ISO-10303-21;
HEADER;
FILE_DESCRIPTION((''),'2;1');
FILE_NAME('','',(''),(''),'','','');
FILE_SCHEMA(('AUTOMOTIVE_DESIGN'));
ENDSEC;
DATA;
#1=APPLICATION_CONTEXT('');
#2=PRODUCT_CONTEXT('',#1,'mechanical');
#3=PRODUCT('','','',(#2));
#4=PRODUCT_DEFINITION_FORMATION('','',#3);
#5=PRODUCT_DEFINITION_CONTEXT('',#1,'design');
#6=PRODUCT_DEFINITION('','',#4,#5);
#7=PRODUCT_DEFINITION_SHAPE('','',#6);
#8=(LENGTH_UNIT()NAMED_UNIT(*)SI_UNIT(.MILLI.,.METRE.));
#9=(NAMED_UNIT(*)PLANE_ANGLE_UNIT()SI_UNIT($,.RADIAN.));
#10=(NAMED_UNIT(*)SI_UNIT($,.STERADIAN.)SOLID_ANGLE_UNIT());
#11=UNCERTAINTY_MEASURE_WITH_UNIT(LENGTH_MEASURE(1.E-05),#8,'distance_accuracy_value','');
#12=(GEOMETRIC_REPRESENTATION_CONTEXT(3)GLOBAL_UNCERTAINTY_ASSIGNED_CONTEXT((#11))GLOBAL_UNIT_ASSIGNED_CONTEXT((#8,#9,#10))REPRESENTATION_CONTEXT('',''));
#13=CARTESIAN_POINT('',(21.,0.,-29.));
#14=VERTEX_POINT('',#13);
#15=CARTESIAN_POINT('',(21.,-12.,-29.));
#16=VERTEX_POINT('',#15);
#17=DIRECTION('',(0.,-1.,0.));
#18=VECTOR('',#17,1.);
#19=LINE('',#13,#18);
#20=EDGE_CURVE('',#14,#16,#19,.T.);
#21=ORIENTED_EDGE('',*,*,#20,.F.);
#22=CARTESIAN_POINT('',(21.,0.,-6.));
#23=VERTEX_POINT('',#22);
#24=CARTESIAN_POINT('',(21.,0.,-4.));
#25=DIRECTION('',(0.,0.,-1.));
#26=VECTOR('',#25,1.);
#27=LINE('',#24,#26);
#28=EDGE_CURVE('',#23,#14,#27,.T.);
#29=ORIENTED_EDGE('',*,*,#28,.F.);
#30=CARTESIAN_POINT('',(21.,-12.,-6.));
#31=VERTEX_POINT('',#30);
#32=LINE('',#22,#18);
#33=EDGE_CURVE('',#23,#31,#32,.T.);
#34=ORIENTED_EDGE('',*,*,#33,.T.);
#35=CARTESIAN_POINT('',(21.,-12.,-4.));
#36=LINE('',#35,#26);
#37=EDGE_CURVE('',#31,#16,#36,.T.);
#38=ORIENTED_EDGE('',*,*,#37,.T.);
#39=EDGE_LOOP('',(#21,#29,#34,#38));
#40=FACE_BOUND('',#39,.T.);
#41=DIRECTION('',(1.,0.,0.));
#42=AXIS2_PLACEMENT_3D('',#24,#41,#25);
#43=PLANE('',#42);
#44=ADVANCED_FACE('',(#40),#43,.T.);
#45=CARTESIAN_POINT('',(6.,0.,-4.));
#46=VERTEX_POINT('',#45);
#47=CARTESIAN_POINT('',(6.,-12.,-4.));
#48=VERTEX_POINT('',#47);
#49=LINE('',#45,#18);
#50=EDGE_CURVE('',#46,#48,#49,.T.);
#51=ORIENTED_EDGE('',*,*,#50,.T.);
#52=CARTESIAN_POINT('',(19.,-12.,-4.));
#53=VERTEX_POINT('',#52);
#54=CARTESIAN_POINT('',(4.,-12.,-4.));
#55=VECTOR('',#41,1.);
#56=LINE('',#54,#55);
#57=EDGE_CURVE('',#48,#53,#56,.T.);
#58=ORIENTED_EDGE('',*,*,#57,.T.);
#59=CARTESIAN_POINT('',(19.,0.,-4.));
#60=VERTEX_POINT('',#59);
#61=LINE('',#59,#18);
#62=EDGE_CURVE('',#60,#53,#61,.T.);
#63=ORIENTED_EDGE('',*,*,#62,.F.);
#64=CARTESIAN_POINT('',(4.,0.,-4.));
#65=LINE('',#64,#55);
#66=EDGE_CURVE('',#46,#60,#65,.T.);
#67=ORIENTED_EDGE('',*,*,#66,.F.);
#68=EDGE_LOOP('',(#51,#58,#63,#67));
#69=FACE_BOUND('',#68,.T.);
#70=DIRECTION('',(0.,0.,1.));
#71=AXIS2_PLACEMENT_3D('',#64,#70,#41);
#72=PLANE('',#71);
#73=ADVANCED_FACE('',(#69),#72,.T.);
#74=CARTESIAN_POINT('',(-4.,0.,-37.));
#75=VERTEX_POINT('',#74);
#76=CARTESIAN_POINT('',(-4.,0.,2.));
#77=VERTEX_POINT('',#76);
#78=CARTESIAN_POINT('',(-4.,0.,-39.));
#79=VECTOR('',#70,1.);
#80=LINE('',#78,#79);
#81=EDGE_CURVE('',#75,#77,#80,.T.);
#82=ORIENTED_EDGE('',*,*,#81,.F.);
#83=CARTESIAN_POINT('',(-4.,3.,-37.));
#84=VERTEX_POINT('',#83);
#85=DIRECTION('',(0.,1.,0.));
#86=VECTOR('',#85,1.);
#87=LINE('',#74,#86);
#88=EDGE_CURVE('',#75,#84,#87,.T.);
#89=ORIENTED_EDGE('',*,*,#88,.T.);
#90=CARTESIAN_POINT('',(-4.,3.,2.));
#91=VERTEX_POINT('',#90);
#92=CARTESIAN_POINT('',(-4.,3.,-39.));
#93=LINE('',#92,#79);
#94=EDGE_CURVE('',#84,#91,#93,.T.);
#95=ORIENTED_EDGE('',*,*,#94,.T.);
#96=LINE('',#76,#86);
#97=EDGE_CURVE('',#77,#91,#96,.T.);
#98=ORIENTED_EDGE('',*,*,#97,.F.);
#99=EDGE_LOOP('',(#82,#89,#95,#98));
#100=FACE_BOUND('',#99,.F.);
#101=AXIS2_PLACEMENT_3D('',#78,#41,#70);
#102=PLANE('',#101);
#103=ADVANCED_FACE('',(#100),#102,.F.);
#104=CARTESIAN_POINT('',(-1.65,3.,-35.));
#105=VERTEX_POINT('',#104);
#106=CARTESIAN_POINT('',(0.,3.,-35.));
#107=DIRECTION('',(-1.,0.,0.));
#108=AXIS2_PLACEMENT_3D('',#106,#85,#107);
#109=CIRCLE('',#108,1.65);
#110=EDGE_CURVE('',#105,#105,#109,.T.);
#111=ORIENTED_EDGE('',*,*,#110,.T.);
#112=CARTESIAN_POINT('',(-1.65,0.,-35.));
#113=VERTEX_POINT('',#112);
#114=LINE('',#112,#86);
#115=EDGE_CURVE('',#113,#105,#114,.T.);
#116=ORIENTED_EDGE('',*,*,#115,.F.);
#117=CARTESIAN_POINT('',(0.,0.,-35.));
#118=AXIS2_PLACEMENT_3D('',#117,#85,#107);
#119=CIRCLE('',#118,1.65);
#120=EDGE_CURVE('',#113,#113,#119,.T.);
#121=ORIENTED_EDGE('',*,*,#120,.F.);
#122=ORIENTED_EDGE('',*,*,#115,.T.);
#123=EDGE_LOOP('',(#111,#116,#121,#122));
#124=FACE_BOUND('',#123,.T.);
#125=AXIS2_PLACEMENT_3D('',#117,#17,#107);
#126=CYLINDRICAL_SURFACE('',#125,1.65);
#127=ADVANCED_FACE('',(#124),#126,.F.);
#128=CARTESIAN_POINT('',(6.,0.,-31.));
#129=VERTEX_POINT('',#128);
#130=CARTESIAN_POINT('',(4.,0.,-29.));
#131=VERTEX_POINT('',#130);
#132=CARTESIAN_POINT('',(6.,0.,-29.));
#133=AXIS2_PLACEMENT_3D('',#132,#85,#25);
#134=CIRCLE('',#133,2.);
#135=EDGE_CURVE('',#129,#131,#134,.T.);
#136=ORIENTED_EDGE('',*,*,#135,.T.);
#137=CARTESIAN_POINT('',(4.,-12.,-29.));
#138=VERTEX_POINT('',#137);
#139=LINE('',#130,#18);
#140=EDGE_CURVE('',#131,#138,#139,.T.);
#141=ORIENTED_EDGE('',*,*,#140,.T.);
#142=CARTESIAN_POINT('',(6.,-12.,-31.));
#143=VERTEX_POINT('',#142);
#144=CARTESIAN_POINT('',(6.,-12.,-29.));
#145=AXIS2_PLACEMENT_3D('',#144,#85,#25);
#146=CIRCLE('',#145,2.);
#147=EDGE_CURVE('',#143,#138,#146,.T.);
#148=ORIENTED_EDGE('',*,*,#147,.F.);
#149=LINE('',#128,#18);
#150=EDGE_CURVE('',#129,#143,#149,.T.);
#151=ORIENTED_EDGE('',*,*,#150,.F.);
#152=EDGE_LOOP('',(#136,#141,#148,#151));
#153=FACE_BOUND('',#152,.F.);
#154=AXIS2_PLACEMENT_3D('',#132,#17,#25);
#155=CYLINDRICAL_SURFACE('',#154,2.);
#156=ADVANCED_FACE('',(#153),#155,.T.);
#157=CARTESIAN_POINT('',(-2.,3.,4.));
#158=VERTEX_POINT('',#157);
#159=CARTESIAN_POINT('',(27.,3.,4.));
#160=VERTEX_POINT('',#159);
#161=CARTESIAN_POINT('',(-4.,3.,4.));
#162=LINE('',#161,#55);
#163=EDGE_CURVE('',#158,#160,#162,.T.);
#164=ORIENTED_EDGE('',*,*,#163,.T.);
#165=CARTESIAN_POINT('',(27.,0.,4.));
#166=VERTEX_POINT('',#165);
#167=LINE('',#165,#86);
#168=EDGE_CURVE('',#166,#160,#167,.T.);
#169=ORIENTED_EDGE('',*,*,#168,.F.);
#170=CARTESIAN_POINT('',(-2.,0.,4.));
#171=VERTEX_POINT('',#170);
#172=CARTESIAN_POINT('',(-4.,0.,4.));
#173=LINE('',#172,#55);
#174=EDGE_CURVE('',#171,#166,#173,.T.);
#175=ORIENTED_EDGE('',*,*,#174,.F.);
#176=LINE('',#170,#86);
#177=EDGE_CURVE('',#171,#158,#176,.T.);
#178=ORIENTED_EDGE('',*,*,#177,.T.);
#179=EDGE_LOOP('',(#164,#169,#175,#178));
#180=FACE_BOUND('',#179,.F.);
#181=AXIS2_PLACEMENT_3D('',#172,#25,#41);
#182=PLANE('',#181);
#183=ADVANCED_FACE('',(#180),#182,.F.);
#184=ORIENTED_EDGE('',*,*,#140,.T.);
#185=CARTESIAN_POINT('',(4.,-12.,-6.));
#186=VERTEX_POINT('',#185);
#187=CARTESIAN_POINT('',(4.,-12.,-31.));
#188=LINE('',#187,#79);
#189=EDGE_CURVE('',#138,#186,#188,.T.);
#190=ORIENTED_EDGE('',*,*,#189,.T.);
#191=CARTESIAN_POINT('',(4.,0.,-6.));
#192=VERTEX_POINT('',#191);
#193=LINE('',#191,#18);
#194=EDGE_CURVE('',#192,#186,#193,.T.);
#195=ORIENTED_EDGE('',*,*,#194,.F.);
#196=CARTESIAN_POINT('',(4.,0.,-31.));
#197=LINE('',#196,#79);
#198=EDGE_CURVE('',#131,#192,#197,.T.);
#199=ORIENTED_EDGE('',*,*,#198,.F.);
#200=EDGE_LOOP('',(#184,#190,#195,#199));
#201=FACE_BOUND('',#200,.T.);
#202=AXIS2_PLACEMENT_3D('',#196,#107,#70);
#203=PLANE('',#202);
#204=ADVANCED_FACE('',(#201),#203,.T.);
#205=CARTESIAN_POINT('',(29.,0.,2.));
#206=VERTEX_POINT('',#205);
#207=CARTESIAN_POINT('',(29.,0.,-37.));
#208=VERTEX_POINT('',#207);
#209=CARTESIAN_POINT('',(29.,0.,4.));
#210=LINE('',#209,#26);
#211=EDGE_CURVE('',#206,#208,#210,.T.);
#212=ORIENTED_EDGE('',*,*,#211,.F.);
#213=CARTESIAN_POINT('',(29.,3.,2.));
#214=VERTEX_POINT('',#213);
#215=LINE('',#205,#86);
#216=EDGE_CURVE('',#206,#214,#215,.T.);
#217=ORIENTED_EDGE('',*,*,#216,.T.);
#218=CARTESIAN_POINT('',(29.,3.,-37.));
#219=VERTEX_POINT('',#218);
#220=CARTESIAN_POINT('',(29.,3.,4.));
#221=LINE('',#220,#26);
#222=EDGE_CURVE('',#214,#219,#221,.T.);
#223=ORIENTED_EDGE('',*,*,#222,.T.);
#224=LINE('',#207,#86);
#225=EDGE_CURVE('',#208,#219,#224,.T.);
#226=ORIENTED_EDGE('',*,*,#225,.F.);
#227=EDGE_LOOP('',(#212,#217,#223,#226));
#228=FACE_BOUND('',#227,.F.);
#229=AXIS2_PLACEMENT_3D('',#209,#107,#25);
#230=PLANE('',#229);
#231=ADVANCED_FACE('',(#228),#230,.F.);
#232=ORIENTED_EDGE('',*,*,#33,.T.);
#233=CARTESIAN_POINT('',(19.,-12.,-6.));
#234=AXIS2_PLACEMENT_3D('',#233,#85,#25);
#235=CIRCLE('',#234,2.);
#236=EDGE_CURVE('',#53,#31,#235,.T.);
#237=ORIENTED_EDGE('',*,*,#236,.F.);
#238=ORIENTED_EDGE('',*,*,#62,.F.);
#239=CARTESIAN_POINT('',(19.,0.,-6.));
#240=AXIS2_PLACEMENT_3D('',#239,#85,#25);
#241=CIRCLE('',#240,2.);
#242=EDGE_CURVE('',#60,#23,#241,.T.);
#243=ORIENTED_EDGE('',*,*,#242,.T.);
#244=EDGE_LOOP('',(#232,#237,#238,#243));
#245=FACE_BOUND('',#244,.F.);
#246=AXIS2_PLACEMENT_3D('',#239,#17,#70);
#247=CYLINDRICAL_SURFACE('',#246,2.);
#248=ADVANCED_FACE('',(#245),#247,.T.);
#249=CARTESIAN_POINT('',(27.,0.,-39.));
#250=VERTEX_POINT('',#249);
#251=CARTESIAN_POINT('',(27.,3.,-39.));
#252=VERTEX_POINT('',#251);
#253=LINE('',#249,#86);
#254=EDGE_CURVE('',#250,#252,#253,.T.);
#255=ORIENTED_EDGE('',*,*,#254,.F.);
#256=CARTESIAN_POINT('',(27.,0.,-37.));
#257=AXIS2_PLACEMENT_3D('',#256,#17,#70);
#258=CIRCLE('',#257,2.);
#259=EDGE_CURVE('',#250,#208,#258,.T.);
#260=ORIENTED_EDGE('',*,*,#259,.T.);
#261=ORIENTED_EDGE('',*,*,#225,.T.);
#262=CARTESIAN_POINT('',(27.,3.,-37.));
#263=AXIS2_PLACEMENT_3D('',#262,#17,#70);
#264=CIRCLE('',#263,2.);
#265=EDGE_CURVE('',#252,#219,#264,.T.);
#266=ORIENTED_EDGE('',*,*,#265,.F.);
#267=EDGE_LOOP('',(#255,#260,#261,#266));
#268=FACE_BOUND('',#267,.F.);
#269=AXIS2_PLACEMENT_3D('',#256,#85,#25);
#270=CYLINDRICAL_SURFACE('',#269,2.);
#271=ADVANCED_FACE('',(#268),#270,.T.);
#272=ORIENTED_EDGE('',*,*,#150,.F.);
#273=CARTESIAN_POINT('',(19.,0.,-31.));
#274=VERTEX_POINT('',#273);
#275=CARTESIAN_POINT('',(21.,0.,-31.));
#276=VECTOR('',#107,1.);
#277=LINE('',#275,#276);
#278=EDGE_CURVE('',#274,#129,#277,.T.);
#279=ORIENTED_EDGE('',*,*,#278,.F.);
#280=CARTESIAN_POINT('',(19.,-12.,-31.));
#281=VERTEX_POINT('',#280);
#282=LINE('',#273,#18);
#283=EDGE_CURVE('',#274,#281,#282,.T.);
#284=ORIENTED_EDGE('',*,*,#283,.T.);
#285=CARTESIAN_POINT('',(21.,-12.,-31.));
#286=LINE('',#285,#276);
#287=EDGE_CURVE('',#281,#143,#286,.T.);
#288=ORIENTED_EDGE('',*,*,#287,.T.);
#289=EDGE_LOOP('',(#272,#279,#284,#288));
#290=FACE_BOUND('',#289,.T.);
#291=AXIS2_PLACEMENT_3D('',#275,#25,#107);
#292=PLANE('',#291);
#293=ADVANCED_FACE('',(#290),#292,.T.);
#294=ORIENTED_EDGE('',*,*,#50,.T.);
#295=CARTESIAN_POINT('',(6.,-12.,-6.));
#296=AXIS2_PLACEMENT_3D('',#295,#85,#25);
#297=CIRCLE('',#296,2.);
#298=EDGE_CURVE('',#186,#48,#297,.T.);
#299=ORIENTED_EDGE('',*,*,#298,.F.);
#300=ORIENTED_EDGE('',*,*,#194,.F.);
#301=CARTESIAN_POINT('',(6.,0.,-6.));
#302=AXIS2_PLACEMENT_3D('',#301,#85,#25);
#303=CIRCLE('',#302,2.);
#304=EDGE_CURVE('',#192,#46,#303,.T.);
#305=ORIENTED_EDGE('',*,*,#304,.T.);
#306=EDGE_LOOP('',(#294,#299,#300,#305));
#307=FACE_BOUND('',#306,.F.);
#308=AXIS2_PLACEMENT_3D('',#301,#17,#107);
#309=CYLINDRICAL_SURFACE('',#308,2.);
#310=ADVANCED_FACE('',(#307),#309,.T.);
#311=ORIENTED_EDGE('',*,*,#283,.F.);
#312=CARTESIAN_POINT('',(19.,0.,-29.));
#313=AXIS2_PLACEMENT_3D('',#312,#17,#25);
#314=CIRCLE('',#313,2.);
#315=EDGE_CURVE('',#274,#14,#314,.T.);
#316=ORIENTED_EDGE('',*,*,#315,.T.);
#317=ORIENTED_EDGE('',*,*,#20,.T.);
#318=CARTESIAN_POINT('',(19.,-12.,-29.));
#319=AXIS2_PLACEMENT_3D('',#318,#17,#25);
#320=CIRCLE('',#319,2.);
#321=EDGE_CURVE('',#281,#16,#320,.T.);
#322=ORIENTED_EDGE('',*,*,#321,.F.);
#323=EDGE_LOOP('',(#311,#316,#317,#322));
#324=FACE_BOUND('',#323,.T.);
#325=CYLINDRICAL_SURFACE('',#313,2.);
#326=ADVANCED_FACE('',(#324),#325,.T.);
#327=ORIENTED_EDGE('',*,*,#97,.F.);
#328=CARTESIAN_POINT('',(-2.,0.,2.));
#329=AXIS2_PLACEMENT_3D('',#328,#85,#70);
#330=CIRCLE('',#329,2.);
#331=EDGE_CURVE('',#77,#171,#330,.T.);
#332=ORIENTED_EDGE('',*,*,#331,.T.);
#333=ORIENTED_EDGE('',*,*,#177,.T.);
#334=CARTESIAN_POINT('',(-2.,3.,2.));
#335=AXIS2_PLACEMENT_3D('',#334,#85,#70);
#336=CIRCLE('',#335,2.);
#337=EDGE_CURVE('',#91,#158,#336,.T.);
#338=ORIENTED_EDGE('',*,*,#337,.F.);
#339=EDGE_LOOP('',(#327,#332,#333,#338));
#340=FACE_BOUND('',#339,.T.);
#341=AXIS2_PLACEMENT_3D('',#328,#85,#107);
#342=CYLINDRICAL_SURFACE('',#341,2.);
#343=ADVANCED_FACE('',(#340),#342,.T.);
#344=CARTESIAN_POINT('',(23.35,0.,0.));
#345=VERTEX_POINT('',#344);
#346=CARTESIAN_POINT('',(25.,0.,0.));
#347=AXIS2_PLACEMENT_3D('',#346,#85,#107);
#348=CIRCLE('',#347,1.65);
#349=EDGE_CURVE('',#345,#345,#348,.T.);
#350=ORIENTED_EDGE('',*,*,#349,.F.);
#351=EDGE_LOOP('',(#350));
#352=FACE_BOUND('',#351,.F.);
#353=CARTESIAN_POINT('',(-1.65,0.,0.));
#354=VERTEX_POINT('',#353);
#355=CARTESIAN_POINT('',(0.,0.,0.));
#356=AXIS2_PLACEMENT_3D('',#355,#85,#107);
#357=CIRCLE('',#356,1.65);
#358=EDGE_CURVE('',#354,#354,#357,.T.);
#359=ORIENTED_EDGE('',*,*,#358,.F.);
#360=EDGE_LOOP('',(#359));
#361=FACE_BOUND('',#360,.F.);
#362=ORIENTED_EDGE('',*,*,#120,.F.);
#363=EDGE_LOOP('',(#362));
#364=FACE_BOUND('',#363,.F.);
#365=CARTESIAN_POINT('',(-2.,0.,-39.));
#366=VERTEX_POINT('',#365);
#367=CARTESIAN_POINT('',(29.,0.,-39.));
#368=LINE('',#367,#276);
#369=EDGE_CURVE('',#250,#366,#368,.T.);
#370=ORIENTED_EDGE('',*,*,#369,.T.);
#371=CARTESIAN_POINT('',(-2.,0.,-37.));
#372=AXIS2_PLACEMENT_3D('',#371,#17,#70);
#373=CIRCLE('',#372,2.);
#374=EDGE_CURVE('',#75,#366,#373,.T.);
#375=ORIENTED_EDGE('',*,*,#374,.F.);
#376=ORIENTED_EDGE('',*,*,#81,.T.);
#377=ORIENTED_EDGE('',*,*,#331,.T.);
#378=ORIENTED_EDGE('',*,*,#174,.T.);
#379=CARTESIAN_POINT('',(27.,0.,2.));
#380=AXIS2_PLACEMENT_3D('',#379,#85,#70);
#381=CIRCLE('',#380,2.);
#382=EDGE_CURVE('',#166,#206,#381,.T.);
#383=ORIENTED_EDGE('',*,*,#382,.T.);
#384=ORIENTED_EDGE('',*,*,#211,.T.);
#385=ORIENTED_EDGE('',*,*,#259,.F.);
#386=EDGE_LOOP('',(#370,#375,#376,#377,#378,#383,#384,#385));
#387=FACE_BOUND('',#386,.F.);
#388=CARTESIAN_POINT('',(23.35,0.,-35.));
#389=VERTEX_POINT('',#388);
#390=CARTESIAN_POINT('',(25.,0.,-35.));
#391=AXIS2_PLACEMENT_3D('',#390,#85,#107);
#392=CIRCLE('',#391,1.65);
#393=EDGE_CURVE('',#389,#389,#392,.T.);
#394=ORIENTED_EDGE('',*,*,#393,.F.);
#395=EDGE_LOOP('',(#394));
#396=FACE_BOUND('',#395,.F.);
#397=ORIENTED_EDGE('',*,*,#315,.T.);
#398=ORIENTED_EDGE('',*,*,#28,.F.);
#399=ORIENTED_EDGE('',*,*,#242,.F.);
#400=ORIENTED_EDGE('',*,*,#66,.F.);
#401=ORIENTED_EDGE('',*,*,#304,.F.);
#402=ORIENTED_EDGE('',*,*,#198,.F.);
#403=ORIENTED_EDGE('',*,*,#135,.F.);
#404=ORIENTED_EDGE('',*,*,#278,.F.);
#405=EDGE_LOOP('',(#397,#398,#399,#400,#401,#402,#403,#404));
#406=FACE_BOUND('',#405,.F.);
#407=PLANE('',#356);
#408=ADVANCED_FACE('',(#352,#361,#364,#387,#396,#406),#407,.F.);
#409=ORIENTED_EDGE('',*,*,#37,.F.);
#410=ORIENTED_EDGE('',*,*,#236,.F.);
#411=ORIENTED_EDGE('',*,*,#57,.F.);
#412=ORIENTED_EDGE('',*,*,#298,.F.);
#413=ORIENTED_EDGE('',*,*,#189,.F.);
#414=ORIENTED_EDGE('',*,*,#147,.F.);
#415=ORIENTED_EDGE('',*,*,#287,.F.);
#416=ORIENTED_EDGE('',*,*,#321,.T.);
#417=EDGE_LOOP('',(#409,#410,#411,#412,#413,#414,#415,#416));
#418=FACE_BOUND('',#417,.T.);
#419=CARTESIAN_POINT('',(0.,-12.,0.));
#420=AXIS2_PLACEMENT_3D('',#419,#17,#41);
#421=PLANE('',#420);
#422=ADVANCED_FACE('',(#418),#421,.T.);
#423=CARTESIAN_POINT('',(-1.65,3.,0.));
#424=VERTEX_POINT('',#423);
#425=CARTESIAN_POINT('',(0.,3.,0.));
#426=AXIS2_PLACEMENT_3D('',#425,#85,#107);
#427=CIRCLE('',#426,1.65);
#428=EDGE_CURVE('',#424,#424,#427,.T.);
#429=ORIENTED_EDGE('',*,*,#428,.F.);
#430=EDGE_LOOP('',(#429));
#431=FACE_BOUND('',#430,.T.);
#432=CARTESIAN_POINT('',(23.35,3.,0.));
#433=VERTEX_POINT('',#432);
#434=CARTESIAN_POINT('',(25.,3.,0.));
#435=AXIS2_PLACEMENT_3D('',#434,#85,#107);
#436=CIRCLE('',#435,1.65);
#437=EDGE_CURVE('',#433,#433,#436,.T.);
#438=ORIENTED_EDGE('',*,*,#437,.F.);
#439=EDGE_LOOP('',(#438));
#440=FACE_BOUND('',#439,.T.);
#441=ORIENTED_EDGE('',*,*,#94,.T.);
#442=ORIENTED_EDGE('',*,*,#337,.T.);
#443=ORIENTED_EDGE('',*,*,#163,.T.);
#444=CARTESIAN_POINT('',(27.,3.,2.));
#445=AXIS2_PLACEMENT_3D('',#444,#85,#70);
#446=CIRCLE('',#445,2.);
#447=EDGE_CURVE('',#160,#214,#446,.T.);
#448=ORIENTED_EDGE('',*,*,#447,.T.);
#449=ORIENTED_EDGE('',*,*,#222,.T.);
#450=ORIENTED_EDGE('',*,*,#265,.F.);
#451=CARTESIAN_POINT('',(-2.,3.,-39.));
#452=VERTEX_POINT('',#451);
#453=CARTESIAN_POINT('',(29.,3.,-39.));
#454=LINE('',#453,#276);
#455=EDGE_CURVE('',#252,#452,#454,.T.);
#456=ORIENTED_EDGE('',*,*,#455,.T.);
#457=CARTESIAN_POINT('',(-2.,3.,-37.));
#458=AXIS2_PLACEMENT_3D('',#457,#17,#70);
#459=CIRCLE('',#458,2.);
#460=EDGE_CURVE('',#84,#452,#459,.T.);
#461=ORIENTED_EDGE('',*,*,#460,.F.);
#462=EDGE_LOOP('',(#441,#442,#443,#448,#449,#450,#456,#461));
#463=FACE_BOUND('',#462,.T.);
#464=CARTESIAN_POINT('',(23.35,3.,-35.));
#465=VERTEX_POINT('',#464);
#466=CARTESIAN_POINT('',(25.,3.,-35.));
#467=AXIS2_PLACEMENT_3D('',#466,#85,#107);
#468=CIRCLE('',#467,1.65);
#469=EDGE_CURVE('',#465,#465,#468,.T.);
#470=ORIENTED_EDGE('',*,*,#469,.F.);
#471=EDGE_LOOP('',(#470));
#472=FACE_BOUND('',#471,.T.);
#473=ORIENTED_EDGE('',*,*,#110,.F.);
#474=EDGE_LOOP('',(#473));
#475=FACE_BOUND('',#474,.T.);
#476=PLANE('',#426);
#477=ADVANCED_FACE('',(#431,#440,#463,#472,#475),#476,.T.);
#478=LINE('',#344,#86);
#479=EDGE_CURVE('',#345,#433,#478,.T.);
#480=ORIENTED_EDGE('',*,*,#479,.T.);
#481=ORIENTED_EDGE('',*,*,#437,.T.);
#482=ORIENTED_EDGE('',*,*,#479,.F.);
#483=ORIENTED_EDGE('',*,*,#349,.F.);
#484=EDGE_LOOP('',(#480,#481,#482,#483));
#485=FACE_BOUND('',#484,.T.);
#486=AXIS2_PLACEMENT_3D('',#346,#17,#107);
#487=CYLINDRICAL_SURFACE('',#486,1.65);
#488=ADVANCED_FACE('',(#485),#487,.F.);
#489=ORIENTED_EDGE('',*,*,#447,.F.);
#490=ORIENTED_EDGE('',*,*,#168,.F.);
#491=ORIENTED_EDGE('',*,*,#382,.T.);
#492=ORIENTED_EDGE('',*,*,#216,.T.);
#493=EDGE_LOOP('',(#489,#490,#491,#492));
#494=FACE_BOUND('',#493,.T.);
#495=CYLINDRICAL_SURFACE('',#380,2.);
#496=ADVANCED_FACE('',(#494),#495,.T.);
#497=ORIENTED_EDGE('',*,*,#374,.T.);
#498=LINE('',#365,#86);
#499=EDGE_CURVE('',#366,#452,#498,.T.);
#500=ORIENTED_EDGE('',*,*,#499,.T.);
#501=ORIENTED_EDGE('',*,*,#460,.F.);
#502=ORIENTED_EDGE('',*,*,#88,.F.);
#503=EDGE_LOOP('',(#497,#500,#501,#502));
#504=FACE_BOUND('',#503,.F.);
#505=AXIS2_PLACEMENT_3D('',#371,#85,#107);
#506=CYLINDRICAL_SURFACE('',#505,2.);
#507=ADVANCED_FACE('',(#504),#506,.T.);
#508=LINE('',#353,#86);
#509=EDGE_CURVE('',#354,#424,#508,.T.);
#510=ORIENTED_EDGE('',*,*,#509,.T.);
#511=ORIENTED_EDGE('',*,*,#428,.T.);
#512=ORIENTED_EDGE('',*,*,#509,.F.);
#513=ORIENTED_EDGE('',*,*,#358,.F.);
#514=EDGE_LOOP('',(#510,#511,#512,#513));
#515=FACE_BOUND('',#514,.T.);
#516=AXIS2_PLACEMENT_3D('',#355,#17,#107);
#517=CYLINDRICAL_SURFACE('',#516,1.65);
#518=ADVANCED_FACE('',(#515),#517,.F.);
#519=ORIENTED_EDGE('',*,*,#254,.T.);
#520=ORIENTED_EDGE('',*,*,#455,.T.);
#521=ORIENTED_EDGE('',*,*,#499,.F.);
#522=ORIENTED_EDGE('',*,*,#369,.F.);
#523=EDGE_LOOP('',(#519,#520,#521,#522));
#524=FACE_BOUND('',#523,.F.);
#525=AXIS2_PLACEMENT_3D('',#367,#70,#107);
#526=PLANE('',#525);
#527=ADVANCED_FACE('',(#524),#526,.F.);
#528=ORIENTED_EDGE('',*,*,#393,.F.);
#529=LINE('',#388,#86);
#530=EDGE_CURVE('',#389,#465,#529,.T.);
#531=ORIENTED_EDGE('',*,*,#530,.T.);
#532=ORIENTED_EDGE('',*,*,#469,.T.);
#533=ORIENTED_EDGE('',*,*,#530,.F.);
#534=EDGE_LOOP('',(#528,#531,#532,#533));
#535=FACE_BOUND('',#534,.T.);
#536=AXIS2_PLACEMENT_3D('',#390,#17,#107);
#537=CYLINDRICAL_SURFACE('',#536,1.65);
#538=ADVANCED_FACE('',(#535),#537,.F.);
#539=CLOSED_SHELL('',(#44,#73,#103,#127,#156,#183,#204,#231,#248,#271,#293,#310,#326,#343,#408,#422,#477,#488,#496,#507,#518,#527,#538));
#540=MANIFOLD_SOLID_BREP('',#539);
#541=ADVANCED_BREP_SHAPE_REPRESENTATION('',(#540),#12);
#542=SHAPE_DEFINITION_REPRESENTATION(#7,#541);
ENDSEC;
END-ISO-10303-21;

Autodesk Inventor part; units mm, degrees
ref_plane "YZ Plane" through (0, 0, 0) normal (1, 0, 0) x (0, 1, 0)
ref_plane "XZ Plane" through (0, 0, 0) normal (0, 1, 0) x (-1, 0, 0)
ref_plane "XY Plane" through (0, 0, 0) normal (0, 0, 1) x (1, 0, 0)
sketch "Sketch1" plane through (0, 0, 0) normal (0, 1, 0) x (-1, 0, 0)
  circle A0 centre (0, 0) radius 1.65
  circle A1 centre (0, -35) radius 1.65
  circle A2 centre (-25, 0) radius 1.65
  circle A3 centre (-25, -35) radius 1.65
  line L0 (0, 0) -> (-25, 0) construction
  line L1 (-25, 0) -> (-25, -35) construction
  line L2 (-25, -35) -> (0, -35) construction
  line L3 (0, -35) -> (0, 0) construction
  line L4 (4, 4) -> (-29, 4)
  line L5 (-29, 4) -> (-29, -39)
  line L6 (-29, -39) -> (4, -39)
  line L7 (4, -39) -> (4, 4)
  dimension "d1" = 3.3
  dimension "d2" = 3.3
  dimension "d4" = 3.3
  dimension "d5" = 3.3
  dimension "d6" = 35
  dimension "d7" = 25
  dimension "d8" = 4
extrude "Extrusion1" add sketch "Sketch1" along normal blind 3
sketch "Sketch2" plane through (0, 0, 0) normal (0, -1, 0) x (1, 0, 0)
  circle A0 centre (25, -35) radius 1.65 construction
  circle A1 centre (25, 0) radius 1.65 construction
  circle A2 centre (0, -35) radius 1.65 construction
  circle A3 centre (0, 0) radius 1.65 construction
  line L0 (29, -39) -> (-4, -39) projected
  line L1 (-4, -39) -> (-4, 4) projected
  line L2 (-4, 4) -> (29, 4) projected
  line L3 (29, 4) -> (29, -39) projected
  line L4 (21, -31) -> (4, -31)
  line L5 (4, -31) -> (4, -4)
  line L6 (4, -4) -> (21, -4)
  line L7 (21, -4) -> (21, -31)
  dimension "d11" = 8
extrude "Extrusion2" add sketch "Sketch2" along normal blind 12 contours L4 L5 L6 L7
fillet "Fillet1" radius 2 8 edges at (29, 1.5, 4) (-4, 1.5, 4) (-4, 1.5, -39) (29, 1.5, -39) (21, -6, -4) (4, -6, -4) (4, -6, -31) (21, -6, -31)
properties part number "gravity-pcb-mount"
